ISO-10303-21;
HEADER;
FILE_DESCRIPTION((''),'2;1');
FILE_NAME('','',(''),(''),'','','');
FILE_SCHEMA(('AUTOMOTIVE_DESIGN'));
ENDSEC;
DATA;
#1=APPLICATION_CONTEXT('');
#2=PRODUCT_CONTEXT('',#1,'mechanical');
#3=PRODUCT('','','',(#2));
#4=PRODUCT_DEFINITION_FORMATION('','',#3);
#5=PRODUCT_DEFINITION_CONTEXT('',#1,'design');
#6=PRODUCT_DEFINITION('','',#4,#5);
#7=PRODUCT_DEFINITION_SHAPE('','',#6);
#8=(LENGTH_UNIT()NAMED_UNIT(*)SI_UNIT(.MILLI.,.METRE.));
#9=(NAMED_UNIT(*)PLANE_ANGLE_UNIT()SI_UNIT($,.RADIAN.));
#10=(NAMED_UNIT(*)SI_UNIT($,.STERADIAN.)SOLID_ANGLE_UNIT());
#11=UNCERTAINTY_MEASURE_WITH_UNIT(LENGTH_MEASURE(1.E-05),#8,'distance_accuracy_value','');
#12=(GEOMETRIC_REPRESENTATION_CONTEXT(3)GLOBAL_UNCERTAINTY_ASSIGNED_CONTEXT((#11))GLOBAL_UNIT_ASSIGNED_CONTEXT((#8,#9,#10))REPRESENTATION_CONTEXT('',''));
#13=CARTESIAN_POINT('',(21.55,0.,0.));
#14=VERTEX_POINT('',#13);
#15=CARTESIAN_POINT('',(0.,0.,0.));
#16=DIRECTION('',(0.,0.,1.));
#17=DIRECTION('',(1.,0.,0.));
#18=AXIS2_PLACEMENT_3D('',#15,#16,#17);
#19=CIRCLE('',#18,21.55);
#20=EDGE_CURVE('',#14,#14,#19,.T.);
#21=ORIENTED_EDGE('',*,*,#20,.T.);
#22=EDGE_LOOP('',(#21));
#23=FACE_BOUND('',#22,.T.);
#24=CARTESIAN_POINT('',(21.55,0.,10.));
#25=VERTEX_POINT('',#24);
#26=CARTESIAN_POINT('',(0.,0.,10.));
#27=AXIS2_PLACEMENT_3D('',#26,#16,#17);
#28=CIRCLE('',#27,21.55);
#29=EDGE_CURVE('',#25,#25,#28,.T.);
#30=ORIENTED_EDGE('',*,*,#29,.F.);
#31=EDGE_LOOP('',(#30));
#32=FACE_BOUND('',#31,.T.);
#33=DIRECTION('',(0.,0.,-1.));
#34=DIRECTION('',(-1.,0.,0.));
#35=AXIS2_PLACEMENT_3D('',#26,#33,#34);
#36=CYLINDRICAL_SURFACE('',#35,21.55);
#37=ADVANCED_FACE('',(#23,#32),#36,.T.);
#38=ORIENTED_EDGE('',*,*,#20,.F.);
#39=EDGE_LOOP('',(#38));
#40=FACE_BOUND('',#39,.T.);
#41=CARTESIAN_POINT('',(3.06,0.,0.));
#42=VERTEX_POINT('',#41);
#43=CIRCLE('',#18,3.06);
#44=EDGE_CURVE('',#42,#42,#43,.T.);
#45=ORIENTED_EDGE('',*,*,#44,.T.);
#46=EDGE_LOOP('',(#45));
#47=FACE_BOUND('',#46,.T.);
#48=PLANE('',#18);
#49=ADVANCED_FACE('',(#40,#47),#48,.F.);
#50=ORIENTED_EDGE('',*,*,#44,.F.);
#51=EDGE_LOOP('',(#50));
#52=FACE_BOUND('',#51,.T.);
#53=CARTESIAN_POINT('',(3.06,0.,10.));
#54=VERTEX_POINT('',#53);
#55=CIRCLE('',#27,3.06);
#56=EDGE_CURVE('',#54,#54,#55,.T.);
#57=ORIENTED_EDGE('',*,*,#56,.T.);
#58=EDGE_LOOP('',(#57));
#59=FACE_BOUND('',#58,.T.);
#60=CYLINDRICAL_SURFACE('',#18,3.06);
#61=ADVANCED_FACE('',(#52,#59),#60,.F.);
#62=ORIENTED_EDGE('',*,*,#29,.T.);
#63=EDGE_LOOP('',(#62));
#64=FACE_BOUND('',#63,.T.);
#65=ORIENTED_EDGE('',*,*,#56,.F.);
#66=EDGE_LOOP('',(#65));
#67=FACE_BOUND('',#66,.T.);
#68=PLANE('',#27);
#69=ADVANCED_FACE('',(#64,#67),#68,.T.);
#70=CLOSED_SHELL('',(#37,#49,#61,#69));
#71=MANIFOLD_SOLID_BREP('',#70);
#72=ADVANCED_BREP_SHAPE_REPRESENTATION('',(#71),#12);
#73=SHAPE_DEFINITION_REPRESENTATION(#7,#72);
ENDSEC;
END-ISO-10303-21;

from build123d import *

# Parameters (mm, degrees)
SKETCH1_R          = 21.55
BASE_DEPTH         = 10
SKETCH2_R          = 3.06
CUT_EXTRUDE1_DEPTH = 33.074990257


with BuildPart() as part:
    # Sketch1 → Base (new body)
    with BuildSketch(Plane.XY):
        Circle(SKETCH1_R)
    extrude(amount=BASE_DEPTH)

    # Sketch2 → Cut-Extrude1 (cut, through all)
    with BuildSketch(Plane.XY.offset(10)):
        Circle(SKETCH2_R)
    extrude(amount=-CUT_EXTRUDE1_DEPTH, mode=Mode.SUBTRACT)


solid = part.part
